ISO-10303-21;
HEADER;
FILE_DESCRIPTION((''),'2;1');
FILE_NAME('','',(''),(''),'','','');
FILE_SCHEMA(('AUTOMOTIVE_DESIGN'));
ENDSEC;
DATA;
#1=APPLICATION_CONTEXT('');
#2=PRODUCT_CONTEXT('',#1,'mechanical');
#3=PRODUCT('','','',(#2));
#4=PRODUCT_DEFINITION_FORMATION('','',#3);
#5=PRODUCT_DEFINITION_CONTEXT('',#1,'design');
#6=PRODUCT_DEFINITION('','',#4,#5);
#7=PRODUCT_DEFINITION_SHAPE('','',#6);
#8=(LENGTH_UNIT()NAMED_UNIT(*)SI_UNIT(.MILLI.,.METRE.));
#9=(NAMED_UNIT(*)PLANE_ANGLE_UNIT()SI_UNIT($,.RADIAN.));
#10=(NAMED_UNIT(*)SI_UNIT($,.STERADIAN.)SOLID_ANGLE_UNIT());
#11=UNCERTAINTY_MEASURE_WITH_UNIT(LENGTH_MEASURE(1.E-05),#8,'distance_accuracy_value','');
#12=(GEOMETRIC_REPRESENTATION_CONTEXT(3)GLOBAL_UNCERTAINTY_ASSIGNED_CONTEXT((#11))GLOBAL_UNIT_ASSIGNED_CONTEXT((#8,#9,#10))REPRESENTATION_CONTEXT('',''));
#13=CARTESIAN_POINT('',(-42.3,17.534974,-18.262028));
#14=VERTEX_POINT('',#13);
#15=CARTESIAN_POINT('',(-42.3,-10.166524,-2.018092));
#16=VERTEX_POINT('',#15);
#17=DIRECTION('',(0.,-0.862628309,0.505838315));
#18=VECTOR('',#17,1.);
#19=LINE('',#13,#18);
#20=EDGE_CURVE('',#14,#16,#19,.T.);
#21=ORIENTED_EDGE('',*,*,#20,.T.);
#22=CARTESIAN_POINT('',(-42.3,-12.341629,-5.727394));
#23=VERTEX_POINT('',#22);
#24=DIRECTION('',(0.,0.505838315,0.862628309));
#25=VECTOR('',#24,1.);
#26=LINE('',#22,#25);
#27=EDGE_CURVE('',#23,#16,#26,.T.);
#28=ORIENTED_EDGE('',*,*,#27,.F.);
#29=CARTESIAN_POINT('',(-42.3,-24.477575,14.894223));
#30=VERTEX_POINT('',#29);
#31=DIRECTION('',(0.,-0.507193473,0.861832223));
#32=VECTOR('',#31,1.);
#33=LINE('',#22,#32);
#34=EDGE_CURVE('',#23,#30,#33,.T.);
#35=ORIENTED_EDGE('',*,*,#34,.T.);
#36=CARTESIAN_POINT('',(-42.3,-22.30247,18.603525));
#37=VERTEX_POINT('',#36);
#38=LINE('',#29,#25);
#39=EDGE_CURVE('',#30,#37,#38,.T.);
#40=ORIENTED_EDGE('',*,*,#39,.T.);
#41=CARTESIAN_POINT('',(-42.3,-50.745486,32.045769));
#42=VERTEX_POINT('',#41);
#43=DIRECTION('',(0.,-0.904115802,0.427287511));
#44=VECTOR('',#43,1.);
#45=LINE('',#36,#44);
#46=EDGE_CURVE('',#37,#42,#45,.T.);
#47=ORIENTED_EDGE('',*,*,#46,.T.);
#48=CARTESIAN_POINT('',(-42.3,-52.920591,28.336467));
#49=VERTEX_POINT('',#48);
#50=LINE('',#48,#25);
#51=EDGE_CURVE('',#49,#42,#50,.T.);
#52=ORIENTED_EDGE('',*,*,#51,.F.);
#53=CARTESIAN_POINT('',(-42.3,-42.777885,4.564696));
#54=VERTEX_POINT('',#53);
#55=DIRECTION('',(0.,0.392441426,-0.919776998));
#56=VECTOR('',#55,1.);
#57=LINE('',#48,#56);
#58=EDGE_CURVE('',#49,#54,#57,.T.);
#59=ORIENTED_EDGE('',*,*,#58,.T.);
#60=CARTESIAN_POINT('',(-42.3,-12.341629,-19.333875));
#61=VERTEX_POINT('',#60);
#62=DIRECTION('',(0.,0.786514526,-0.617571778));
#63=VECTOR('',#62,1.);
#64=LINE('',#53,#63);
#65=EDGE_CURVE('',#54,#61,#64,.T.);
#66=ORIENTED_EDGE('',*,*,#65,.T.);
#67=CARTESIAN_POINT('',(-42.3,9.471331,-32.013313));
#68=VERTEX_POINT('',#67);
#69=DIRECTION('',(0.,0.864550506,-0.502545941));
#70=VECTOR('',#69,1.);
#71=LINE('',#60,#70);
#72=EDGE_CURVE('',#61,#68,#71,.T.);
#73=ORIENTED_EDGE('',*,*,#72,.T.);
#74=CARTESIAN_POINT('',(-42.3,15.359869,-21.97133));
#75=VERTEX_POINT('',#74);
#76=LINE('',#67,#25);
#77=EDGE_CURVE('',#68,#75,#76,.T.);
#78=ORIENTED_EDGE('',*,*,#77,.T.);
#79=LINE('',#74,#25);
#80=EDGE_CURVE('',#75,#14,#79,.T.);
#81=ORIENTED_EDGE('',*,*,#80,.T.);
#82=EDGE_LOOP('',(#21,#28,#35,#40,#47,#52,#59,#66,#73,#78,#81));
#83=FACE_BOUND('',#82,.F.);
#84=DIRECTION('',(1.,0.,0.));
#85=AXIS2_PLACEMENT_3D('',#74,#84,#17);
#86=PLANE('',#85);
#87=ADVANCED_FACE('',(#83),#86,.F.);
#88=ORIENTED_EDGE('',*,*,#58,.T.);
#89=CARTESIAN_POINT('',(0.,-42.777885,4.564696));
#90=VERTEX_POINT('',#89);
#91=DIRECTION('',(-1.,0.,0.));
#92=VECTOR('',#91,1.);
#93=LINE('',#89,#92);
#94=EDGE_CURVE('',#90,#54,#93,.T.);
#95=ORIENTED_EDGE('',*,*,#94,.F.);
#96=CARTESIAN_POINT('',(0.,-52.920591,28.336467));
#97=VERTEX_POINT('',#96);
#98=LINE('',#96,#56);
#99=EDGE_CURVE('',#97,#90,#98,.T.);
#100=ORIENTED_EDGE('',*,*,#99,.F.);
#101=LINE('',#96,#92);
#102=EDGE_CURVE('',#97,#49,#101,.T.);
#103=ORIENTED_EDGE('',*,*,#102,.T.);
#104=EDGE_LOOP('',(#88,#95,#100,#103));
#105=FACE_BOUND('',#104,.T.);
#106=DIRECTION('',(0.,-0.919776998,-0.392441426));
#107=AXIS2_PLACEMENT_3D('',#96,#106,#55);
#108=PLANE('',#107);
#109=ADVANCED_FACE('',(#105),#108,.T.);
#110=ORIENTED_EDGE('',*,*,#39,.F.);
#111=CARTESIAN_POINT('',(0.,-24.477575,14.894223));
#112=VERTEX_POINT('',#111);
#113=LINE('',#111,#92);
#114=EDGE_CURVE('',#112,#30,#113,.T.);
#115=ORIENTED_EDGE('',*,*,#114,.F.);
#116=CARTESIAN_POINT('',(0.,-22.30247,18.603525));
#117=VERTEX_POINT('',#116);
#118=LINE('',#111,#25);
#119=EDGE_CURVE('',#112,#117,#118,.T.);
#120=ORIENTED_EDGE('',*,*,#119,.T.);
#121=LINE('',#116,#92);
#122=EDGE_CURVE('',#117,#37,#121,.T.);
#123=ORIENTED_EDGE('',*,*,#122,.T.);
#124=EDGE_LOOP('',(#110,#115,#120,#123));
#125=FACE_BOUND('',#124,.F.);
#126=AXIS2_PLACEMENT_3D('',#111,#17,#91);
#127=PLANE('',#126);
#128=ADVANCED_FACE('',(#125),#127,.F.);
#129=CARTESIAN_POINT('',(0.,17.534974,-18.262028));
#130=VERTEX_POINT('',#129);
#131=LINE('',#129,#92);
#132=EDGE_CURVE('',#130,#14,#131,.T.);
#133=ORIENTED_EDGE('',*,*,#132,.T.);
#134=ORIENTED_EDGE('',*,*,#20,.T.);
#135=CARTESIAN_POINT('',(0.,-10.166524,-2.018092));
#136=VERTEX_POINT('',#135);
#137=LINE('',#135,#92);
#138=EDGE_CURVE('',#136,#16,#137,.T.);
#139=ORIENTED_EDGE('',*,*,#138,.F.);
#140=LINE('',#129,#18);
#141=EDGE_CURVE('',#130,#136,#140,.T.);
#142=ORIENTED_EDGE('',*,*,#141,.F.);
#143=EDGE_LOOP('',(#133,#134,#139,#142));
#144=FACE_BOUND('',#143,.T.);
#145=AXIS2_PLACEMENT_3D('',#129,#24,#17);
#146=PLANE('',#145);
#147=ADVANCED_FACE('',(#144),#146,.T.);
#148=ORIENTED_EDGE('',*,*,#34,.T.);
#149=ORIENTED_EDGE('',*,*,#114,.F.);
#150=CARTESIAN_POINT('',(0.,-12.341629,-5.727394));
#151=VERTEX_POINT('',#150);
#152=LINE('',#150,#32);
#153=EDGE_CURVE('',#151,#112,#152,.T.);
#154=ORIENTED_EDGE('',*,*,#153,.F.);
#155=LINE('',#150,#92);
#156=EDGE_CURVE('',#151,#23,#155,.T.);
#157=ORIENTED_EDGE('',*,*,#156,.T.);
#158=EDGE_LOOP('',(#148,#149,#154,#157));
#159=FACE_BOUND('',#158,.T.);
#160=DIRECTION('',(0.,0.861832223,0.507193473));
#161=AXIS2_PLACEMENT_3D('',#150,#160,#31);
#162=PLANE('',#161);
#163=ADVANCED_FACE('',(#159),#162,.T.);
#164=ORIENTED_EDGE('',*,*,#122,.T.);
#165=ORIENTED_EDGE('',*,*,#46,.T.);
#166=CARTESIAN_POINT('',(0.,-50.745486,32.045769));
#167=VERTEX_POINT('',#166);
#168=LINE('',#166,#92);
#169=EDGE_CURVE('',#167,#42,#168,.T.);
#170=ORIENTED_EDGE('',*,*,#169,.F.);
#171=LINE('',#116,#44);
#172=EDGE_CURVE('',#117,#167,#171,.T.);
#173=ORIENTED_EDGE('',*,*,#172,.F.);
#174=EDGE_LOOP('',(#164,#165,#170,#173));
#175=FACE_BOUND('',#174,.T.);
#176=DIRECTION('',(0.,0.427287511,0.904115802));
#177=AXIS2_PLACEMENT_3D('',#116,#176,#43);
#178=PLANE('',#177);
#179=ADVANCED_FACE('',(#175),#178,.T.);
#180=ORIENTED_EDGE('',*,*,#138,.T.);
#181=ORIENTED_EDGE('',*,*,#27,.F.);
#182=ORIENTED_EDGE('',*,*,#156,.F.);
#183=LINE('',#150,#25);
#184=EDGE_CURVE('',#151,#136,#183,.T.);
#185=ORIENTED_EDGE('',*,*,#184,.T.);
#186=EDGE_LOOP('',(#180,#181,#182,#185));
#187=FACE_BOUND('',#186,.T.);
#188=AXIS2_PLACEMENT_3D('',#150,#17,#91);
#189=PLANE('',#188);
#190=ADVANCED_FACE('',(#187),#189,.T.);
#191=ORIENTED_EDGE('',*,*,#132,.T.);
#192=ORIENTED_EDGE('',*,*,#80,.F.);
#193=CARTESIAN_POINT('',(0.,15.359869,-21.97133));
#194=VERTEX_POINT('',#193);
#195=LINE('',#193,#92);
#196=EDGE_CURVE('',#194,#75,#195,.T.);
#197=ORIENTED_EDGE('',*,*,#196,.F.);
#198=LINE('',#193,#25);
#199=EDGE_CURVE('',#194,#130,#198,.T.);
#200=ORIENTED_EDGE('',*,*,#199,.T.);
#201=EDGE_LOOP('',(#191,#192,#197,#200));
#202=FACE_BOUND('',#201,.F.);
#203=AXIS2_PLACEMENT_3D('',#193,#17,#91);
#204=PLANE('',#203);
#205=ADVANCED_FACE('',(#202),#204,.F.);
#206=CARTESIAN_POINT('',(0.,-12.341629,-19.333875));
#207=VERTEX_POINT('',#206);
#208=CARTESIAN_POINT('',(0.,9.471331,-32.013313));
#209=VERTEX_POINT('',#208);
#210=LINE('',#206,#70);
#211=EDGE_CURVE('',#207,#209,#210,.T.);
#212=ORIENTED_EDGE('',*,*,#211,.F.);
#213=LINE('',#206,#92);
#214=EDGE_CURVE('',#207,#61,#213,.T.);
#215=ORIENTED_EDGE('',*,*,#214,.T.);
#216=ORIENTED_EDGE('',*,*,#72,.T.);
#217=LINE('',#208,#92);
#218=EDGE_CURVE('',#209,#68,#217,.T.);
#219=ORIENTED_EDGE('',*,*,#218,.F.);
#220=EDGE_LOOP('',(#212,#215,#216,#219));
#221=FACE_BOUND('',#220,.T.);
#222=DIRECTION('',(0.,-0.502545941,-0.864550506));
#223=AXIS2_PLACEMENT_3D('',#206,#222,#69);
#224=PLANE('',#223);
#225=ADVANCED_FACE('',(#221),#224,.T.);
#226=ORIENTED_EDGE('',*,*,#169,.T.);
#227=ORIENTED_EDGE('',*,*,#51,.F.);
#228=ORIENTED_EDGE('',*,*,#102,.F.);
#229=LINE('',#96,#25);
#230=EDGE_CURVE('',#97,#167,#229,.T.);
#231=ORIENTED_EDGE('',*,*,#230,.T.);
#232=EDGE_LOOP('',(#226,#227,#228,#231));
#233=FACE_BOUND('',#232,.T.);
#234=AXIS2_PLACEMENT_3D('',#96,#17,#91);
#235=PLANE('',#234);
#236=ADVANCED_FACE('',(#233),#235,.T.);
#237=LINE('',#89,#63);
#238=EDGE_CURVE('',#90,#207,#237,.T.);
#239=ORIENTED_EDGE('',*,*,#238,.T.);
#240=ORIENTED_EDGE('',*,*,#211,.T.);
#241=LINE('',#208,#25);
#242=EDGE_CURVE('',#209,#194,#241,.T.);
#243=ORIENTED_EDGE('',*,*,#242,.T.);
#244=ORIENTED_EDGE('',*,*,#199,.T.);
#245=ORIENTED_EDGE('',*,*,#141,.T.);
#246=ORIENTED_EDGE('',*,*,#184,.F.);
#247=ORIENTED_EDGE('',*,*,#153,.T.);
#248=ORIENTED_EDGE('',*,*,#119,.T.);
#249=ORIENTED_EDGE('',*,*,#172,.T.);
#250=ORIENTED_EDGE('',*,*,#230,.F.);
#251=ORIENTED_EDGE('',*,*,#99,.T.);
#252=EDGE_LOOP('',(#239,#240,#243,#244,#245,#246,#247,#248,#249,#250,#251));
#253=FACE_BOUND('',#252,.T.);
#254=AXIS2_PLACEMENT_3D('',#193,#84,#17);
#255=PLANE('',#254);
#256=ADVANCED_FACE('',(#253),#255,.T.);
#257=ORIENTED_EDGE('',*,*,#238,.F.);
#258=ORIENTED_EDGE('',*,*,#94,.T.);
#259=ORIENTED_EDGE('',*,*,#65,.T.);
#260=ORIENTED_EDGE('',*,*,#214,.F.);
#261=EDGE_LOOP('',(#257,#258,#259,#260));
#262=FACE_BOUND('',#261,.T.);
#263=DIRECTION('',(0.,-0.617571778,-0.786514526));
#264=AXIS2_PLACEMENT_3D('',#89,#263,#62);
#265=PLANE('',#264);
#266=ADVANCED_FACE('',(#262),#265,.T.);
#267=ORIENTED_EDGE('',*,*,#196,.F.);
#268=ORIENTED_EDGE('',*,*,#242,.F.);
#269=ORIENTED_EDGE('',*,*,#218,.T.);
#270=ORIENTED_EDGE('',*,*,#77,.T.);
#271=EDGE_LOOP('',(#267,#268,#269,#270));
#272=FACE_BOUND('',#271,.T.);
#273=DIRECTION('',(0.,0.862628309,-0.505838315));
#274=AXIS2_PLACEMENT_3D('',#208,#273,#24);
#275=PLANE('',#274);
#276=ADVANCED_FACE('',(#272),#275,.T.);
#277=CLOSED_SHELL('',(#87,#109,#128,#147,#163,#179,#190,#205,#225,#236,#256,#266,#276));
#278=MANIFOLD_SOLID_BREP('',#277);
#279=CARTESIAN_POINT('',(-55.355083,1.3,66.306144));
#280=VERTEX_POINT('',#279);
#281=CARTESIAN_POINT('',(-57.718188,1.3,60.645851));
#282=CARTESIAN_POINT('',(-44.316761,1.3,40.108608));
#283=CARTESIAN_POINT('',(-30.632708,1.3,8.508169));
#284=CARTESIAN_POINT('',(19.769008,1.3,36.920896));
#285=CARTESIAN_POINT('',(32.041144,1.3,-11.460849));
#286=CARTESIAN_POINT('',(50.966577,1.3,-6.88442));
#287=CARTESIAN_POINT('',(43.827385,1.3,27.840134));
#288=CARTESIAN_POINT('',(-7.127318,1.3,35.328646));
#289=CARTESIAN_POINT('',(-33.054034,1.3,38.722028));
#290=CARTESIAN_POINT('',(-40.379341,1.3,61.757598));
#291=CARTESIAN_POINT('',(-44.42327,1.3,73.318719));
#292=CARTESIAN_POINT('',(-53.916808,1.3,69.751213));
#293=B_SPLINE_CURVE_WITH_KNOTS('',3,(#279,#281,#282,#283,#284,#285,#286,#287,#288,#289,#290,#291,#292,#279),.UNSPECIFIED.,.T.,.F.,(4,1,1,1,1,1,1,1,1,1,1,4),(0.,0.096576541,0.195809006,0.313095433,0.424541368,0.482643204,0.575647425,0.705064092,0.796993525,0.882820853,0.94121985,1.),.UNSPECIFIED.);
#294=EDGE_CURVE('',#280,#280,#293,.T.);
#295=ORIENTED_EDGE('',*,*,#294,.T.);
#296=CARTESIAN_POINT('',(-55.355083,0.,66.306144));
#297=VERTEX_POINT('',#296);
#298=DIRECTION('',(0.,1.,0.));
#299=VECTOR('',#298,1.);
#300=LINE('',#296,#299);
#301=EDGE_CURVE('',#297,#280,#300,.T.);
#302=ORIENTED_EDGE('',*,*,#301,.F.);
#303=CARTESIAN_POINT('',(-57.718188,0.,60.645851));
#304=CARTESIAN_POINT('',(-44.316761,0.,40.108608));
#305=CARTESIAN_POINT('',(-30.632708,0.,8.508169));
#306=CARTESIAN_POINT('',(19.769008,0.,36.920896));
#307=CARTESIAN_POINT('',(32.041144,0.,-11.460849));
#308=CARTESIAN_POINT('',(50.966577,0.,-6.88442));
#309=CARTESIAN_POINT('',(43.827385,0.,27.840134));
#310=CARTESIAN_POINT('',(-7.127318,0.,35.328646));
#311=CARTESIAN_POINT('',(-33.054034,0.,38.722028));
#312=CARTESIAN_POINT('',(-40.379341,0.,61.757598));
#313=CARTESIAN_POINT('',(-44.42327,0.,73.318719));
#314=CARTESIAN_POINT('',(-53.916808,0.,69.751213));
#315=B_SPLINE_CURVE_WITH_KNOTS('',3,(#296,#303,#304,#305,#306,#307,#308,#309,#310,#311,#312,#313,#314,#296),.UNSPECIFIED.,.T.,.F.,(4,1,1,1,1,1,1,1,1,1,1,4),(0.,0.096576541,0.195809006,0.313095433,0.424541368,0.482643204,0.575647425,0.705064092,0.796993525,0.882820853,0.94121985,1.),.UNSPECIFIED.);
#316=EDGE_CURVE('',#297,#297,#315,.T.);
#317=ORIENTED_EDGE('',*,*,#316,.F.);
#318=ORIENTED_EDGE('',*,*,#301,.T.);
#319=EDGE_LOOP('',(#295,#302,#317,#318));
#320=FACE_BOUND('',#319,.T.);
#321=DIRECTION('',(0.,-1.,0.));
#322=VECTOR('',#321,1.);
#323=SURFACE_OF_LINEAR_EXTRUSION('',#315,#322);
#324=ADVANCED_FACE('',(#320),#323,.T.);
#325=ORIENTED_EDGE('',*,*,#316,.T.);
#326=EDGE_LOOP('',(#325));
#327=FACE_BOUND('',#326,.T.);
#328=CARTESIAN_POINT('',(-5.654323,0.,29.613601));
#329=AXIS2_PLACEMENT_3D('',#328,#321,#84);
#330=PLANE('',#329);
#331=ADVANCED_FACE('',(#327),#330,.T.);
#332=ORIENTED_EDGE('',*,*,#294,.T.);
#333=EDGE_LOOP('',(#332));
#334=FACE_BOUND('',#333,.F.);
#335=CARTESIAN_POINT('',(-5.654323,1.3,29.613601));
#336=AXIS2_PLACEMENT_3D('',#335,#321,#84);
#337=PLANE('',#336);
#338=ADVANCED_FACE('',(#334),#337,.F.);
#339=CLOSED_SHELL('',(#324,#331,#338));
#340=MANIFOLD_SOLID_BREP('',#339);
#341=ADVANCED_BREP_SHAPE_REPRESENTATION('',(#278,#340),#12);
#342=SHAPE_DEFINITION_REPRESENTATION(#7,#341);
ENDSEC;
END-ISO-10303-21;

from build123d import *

# Parameters (mm, degrees)
F1_DEPTH = 1.3
F3_DEPTH = 42.3
F4_DEPTH = 4.3


with BuildPart() as f1:
    # F0 (on Front) → F1 (new body)
    with BuildSketch(Plane.XZ):
        with BuildLine():
            add(Edge.make_bspline(
                [(-55.3550831974, 66.3061439991), (-57.7181877277, 60.645851022), (-44.3167609552, 40.1086084958), (-30.632707997, 8.5081690284), (19.7690082361, 36.9208956037), (32.0411444878, -11.4608490822), (50.9665767831, -6.8844197465), (43.8273851032, 27.8401342789), (-7.1273178942, 35.328646318), (-33.0540337461, 38.7220276868), (-40.3793410453, 61.7575980452), (-44.423269854, 73.3187189068), (-53.9168080512, 69.7512132307), (-55.3550831974, 66.3061439991)],
                knots=[0, 0, 0, 0, 0.0965765412, 0.1958090058, 0.3130954333, 0.4245413682, 0.4826432037, 0.5756474252, 0.7050640919, 0.7969935249, 0.8828208535, 0.94121985, 1, 1, 1, 1], degree=3))
        make_face()
    extrude(amount=-F1_DEPTH)


with BuildPart() as f3:
    # F2 (on Right) → F3 (new body)
    with BuildSketch(Plane.YZ):
        Polygon((-24.4775749743, 14.8942228407), (-52.9205910861, 28.3364672214), (-42.7778847516, 4.5646955259), (-12.3416287825, -19.3338748068), (9.4713311858, -32.0133127617), (15.3598692268, -21.9713300467), (-12.3416287825, -5.7273940183), align=None)
    extrude(amount=-F3_DEPTH)

    # F4 (add): faces of the model
    f4_faces = [f3.faces().sort_by_distance(p)[0] for p in [
        (-21.15, 1.5091202222, -13.8493620325),
        (-21.15, -38.6990830302, 21.615345031),
    ]]
    extrude(f4_faces, amount=F4_DEPTH, dir=(0, 0.5058383147, 0.862628309))


solid = Compound([f1.part, f3.part])
